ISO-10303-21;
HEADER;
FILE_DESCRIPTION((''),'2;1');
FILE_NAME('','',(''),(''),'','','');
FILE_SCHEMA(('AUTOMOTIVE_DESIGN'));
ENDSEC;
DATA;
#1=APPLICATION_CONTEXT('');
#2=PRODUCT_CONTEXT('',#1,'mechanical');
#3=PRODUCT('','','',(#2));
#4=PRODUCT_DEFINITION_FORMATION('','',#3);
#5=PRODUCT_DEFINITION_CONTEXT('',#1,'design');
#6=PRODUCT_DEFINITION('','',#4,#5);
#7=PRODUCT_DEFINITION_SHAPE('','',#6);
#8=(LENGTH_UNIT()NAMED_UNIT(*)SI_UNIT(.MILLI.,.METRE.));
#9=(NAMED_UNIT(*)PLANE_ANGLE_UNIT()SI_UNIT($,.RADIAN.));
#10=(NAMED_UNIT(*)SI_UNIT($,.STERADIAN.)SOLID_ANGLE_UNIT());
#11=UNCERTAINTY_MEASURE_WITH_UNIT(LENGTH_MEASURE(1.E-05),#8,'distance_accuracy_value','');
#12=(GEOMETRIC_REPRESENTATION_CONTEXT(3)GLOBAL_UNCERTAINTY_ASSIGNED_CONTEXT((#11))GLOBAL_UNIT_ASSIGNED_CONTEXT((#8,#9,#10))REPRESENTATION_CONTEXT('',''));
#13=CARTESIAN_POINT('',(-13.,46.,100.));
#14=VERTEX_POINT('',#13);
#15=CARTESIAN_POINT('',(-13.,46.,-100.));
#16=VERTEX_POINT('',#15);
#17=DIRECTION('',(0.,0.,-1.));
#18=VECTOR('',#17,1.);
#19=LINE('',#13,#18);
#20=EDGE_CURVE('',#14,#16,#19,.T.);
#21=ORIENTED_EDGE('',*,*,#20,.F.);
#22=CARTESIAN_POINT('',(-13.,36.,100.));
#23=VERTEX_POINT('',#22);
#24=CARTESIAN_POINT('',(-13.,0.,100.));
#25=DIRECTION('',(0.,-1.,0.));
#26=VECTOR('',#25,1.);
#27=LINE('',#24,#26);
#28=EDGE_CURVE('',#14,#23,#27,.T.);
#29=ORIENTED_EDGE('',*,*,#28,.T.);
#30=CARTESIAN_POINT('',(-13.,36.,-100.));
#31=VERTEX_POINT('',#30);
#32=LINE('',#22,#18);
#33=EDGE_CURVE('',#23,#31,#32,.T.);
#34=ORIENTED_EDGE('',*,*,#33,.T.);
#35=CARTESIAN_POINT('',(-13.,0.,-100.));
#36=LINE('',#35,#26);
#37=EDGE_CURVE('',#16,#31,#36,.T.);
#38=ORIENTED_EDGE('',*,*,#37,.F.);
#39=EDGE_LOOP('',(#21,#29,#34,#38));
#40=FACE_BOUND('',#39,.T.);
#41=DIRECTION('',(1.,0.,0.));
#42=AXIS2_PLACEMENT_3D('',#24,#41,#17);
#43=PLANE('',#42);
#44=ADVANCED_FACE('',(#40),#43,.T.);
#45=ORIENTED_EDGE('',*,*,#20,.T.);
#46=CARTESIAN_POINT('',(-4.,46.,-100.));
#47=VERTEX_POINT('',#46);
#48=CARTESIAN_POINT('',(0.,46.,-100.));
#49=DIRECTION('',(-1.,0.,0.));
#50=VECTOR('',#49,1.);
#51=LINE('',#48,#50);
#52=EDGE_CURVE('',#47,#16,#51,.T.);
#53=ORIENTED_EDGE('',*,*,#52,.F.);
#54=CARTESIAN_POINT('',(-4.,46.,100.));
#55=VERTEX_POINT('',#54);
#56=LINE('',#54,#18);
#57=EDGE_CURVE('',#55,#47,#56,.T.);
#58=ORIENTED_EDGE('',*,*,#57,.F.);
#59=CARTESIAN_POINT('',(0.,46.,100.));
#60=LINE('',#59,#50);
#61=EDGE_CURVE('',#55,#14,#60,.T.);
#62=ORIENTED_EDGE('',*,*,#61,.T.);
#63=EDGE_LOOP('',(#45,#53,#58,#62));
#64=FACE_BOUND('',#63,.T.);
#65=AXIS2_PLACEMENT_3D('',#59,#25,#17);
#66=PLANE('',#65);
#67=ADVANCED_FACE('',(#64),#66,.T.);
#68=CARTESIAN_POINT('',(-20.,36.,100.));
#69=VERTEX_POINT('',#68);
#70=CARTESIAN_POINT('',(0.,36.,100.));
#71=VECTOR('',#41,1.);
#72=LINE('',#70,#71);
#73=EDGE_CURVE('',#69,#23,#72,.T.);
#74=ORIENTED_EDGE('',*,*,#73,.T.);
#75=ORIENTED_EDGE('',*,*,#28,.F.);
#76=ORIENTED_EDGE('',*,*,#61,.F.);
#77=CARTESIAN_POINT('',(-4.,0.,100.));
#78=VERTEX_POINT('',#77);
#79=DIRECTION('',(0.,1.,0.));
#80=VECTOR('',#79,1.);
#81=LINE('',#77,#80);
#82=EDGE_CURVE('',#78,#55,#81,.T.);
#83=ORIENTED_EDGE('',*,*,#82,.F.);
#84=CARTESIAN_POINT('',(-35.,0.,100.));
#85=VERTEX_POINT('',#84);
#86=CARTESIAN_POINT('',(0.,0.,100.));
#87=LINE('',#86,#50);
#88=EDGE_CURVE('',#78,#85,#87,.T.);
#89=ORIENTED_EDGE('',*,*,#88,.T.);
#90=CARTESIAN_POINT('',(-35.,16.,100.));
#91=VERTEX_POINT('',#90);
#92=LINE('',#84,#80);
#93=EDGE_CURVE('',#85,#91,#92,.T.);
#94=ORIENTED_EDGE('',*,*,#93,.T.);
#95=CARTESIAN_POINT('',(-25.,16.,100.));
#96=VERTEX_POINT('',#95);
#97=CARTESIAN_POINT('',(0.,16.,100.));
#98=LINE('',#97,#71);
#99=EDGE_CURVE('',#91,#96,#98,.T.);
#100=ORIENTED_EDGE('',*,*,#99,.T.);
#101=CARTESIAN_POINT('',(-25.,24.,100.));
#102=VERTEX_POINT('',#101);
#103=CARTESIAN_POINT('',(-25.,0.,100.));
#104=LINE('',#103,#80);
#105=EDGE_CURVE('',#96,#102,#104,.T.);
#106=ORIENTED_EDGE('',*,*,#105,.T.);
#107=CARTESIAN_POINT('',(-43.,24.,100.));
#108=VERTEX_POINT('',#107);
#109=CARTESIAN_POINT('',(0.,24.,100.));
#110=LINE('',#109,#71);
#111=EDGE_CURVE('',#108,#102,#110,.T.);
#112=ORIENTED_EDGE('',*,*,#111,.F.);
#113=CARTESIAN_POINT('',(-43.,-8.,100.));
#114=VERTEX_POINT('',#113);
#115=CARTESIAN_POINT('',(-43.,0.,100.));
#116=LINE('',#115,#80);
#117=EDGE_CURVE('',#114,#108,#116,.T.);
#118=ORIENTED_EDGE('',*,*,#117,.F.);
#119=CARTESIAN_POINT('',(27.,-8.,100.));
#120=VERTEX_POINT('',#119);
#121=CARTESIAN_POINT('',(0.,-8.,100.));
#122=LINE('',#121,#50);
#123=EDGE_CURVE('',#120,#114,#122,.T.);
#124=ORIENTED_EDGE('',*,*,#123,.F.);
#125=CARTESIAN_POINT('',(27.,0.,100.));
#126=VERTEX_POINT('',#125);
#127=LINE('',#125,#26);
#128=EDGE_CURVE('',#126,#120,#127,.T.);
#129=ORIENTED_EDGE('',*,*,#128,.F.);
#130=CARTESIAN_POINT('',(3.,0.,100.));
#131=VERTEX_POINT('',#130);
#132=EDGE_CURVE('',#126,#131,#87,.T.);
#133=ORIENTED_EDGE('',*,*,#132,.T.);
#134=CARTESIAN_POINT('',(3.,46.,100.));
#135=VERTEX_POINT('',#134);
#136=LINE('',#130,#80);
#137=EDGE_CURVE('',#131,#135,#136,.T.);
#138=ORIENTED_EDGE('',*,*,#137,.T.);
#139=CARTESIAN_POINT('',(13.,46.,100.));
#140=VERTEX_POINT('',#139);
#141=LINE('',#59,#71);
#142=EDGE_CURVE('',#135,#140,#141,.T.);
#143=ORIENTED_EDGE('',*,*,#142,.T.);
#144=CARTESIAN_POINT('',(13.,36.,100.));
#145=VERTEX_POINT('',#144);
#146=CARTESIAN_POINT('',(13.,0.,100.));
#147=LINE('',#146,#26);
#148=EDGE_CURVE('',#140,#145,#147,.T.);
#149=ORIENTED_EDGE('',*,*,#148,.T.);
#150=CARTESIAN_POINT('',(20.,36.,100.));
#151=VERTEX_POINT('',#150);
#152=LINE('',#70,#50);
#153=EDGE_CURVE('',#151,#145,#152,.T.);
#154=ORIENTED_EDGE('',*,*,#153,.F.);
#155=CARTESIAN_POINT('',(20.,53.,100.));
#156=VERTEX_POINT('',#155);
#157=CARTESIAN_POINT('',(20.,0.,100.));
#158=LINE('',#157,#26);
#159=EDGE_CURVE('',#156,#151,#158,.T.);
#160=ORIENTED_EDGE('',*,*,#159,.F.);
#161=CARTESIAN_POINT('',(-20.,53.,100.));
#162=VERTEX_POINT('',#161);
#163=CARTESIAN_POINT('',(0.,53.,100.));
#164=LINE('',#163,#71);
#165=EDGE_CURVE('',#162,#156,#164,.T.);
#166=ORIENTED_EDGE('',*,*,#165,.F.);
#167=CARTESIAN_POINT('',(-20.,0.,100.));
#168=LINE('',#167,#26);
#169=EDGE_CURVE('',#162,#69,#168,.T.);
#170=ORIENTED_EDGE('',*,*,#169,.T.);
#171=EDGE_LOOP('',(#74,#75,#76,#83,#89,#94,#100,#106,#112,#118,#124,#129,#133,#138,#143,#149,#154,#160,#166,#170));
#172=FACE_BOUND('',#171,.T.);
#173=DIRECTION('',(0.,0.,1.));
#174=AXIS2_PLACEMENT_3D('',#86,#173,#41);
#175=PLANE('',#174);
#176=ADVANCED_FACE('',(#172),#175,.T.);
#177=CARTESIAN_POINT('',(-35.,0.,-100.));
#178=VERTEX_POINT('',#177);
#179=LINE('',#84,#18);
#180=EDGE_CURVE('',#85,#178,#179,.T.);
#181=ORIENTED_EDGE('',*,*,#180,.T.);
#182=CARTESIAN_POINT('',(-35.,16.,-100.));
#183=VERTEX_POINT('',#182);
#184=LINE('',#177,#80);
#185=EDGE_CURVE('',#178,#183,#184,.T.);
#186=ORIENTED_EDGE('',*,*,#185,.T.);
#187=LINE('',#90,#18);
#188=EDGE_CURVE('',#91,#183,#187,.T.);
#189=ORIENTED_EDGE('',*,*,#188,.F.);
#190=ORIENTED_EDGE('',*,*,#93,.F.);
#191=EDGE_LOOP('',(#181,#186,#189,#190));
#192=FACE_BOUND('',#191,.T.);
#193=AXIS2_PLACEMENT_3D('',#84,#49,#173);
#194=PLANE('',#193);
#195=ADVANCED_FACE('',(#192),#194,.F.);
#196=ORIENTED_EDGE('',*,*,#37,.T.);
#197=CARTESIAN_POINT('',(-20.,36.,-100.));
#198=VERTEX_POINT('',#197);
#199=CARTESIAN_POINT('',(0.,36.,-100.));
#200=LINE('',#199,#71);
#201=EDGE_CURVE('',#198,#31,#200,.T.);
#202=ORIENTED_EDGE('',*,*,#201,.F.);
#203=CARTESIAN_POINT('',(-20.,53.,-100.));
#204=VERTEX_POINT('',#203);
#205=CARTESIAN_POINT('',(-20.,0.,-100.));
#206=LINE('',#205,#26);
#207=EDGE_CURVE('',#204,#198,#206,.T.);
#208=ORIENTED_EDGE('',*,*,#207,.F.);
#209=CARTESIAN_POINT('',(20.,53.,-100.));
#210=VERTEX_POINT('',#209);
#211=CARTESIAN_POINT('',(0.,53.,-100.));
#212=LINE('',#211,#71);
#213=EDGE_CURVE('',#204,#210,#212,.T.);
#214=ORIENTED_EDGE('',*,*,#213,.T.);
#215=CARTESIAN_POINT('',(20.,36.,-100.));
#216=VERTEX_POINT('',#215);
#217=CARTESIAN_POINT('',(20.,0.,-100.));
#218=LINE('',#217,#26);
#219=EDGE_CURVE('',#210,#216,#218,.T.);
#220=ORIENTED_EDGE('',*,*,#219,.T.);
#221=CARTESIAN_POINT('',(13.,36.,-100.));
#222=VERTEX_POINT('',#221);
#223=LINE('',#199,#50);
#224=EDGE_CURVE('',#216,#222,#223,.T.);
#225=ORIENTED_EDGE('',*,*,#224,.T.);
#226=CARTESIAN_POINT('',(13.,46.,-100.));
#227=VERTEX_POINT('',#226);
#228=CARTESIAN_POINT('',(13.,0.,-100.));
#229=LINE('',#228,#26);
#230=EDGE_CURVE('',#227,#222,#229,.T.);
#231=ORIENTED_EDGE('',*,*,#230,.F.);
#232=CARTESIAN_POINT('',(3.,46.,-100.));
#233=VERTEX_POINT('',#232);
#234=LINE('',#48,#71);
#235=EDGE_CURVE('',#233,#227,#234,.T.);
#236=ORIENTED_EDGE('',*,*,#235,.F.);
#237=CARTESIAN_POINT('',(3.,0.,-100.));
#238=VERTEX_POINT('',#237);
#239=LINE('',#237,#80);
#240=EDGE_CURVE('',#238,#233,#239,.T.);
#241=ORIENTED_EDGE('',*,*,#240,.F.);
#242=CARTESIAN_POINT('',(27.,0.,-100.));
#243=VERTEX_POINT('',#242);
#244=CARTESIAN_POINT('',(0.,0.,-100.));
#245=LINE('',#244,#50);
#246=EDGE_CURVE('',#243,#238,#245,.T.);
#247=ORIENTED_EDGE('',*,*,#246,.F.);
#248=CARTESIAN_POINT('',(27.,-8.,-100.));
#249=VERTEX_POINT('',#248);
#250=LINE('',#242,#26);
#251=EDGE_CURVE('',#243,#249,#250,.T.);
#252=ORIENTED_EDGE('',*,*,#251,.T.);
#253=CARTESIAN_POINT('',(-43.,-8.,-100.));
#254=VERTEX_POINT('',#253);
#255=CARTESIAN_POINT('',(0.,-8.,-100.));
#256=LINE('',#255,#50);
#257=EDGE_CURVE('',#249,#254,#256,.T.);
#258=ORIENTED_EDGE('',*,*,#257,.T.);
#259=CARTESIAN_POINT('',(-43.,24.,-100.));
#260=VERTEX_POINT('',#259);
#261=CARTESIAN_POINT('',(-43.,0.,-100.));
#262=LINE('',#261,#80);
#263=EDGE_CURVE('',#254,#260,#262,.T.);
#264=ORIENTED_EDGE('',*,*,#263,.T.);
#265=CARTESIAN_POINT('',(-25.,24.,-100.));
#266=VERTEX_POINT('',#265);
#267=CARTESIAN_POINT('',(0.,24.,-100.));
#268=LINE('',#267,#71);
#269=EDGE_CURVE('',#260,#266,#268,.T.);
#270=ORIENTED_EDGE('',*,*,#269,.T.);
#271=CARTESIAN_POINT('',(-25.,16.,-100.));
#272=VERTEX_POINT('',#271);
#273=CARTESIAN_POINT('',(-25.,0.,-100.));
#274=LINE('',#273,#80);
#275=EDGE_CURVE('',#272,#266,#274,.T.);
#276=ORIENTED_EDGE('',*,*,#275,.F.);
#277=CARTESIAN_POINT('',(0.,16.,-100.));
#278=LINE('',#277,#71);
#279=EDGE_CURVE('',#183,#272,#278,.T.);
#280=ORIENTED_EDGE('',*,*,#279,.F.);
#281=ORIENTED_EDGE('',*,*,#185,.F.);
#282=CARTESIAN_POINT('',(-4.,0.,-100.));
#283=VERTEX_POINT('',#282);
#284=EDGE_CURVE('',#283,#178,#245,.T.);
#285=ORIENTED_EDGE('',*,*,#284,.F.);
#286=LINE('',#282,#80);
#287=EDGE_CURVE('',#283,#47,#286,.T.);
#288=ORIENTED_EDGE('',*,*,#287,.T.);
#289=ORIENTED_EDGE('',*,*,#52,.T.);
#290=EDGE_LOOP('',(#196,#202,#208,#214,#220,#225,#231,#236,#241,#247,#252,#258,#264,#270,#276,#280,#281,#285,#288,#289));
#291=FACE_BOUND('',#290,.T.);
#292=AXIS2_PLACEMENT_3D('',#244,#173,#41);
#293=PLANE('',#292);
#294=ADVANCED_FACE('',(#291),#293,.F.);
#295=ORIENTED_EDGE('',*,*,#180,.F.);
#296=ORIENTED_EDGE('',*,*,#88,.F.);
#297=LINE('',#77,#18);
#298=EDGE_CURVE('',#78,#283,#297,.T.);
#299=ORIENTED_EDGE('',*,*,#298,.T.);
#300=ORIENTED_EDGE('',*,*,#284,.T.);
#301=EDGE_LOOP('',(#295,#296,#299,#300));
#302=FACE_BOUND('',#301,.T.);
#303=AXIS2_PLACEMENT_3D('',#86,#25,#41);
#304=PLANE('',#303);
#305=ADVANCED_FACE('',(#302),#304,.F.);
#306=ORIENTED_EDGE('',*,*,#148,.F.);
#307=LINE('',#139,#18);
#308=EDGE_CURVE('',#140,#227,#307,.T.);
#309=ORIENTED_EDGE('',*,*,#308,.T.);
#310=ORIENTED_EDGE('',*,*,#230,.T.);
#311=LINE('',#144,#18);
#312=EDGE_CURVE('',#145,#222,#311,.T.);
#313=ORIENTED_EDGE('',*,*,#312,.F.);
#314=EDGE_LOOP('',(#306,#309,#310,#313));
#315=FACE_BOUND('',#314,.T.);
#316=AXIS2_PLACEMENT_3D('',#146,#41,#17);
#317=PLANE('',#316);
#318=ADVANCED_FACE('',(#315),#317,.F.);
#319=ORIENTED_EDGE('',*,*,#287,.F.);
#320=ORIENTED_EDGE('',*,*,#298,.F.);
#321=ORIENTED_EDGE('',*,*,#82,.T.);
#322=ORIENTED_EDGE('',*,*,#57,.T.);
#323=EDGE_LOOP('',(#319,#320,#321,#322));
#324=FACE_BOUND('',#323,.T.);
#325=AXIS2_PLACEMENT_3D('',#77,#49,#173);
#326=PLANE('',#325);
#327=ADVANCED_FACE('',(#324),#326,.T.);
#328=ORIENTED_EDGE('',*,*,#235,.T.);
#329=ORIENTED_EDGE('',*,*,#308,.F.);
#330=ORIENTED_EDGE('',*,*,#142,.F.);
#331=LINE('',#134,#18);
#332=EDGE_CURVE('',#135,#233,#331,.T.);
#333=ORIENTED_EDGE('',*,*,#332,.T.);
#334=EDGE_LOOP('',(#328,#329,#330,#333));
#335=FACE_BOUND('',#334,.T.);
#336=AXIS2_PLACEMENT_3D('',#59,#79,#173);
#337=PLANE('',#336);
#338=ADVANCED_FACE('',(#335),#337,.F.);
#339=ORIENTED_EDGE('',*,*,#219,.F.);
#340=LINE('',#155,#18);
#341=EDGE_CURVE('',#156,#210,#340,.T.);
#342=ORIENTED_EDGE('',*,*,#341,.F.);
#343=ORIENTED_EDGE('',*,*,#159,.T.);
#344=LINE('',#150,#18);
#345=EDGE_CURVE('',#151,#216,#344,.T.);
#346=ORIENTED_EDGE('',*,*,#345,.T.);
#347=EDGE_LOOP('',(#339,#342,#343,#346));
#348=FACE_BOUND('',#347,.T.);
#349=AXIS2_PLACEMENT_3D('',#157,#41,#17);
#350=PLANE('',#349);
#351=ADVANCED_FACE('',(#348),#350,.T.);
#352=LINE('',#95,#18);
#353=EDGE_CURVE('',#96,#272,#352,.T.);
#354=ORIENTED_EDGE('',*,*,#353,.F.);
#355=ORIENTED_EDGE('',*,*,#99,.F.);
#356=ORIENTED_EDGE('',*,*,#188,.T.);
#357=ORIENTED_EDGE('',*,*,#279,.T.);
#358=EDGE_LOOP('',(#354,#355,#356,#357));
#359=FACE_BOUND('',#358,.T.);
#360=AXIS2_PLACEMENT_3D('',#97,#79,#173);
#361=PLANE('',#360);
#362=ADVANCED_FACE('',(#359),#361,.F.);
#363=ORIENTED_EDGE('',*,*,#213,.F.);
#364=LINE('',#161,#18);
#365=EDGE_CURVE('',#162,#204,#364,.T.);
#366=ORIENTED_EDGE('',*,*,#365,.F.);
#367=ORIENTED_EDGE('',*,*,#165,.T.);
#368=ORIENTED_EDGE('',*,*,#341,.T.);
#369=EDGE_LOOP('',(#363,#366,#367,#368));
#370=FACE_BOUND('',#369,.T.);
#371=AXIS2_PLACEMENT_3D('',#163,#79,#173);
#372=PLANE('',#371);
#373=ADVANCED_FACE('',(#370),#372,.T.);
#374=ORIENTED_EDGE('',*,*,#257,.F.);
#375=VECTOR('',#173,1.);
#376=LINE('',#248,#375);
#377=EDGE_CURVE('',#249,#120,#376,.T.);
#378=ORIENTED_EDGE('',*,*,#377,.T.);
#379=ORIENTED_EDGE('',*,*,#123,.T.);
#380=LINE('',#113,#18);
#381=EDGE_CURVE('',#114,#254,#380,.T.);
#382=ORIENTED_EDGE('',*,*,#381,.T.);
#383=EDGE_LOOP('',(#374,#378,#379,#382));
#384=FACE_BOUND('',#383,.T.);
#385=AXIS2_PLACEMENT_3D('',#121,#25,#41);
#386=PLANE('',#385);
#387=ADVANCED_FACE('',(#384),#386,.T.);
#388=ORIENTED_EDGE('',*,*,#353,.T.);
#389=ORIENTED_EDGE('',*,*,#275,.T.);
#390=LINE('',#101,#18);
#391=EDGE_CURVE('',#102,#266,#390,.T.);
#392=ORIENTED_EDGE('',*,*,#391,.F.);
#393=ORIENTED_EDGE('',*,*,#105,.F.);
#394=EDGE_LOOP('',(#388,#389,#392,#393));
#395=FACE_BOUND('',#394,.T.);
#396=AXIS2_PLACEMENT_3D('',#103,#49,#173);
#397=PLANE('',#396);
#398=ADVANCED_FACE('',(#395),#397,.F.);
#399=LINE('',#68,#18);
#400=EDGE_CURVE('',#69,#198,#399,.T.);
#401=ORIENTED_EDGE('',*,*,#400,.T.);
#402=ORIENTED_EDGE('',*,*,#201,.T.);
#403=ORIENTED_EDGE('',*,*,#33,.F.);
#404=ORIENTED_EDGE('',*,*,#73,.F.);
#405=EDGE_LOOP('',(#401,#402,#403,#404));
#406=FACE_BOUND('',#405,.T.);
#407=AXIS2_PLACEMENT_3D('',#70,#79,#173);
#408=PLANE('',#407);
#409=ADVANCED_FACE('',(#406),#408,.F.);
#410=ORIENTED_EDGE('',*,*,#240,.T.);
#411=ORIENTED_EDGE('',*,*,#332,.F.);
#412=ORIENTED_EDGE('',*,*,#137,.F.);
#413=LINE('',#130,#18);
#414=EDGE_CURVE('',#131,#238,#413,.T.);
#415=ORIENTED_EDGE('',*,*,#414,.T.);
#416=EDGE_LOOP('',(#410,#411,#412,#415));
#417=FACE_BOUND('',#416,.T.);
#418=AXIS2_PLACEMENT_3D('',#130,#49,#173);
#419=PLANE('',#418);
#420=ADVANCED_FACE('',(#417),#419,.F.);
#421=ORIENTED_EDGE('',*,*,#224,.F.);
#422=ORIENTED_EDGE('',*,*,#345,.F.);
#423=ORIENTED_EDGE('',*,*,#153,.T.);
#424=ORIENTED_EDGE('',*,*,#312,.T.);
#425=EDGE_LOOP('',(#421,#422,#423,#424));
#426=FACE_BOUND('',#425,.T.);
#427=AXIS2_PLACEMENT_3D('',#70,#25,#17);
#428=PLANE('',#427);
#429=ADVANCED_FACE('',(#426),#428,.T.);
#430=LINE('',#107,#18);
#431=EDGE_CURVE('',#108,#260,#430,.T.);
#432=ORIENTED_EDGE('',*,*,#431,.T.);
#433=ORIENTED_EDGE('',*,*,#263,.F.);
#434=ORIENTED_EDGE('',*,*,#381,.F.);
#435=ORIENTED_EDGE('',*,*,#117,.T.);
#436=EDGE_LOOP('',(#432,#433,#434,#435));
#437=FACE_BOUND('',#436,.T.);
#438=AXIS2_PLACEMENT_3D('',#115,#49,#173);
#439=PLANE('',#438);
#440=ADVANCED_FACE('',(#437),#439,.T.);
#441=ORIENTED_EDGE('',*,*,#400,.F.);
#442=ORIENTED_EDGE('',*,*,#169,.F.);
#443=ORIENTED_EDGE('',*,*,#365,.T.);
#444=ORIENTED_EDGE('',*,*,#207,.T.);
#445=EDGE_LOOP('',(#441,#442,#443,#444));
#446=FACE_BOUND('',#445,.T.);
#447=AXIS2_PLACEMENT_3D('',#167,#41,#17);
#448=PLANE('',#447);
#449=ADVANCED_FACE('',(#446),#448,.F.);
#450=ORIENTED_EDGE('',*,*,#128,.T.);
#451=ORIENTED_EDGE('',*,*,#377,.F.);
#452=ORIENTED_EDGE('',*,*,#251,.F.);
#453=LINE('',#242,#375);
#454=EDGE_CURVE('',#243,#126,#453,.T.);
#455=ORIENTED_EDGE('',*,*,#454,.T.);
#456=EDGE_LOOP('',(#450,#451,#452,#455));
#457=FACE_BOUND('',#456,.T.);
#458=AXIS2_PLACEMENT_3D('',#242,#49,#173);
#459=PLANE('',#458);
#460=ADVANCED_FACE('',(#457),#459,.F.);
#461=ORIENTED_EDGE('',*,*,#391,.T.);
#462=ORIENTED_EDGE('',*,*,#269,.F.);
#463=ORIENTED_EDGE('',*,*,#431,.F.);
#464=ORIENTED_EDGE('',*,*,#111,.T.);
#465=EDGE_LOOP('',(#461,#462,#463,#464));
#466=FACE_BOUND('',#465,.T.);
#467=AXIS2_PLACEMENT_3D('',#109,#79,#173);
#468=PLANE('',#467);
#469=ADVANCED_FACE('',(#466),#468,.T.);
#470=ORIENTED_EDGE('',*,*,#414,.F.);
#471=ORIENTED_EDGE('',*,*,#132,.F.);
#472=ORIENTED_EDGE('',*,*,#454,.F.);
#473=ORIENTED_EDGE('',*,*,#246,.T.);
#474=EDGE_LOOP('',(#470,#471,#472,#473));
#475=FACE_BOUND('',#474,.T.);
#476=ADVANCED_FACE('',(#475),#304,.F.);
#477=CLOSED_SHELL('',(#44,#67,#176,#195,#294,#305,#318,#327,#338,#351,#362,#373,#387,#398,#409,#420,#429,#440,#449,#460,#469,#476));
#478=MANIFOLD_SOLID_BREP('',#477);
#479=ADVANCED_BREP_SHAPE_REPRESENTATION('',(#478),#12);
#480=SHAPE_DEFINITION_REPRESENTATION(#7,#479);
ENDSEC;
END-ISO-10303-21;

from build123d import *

# Parameters (mm, degrees)
SKETCH_1_W          = 3
SKETCH_1_H          = 46
SKETCH_1_W_2        = 4
SKETCH_1_H_2        = 4
EXTRUDE_1_DEPTH     = 100
SKETCH_2_W          = 8
SKETCH_2_H          = 8
CUT_EXTRUDE_1_DEPTH = 212.324395184


with BuildPart() as part:
    # Эскиз1 → Бобышка-Вытянуть1 (new, symmetric)
    with BuildSketch(Plane.XY):
        with Locations((1.5, 23)):
            Rectangle(SKETCH_1_W, SKETCH_1_H)
        with Locations((-2, 23)):
            Rectangle(SKETCH_1_W_2, SKETCH_1_H)
        Polygon((-4, 50), (0, 50), (3, 50), (17, 50), (17, 36), (20, 36), (20, 53), (0, 53), (-20, 53), (-20, 36), (-17, 36), (-17, 50), align=None)
        with Locations((-2, 48)):
            Rectangle(SKETCH_1_W_2, SKETCH_1_H_2)
        Polygon((-13, 46), (-4, 46), (-4, 50), (-17, 50), (-17, 36), (-13, 36), align=None)
        Polygon((3, 50), (3, 46), (13, 46), (13, 36), (17, 36), (17, 50), align=None)
        with Locations((1.5, 48)):
            Rectangle(SKETCH_1_W, SKETCH_1_H_2)
        Polygon((3, 0), (0, 0), (-4, 0), (-35, 0), (-35, 16), (-25, 16), (-25, 20), (-39, 20), (-39, -4), (35, -4), (35, 0), align=None)
        Polygon((35, -8), (35, -4), (-39, -4), (-39, 20), (-25, 20), (-25, 24), (-43, 24), (-43, -8), align=None)
    extrude(amount=EXTRUDE_1_DEPTH, both=True)

    # Эскиз2 → Вырез-Вытянуть1 (cut, through all)
    with BuildSketch(Plane.XY.offset(100)):
        with Locations((31, -4)):
            Rectangle(SKETCH_2_W, SKETCH_2_H)
    extrude(amount=-CUT_EXTRUDE_1_DEPTH, mode=Mode.SUBTRACT)


solid = part.part
